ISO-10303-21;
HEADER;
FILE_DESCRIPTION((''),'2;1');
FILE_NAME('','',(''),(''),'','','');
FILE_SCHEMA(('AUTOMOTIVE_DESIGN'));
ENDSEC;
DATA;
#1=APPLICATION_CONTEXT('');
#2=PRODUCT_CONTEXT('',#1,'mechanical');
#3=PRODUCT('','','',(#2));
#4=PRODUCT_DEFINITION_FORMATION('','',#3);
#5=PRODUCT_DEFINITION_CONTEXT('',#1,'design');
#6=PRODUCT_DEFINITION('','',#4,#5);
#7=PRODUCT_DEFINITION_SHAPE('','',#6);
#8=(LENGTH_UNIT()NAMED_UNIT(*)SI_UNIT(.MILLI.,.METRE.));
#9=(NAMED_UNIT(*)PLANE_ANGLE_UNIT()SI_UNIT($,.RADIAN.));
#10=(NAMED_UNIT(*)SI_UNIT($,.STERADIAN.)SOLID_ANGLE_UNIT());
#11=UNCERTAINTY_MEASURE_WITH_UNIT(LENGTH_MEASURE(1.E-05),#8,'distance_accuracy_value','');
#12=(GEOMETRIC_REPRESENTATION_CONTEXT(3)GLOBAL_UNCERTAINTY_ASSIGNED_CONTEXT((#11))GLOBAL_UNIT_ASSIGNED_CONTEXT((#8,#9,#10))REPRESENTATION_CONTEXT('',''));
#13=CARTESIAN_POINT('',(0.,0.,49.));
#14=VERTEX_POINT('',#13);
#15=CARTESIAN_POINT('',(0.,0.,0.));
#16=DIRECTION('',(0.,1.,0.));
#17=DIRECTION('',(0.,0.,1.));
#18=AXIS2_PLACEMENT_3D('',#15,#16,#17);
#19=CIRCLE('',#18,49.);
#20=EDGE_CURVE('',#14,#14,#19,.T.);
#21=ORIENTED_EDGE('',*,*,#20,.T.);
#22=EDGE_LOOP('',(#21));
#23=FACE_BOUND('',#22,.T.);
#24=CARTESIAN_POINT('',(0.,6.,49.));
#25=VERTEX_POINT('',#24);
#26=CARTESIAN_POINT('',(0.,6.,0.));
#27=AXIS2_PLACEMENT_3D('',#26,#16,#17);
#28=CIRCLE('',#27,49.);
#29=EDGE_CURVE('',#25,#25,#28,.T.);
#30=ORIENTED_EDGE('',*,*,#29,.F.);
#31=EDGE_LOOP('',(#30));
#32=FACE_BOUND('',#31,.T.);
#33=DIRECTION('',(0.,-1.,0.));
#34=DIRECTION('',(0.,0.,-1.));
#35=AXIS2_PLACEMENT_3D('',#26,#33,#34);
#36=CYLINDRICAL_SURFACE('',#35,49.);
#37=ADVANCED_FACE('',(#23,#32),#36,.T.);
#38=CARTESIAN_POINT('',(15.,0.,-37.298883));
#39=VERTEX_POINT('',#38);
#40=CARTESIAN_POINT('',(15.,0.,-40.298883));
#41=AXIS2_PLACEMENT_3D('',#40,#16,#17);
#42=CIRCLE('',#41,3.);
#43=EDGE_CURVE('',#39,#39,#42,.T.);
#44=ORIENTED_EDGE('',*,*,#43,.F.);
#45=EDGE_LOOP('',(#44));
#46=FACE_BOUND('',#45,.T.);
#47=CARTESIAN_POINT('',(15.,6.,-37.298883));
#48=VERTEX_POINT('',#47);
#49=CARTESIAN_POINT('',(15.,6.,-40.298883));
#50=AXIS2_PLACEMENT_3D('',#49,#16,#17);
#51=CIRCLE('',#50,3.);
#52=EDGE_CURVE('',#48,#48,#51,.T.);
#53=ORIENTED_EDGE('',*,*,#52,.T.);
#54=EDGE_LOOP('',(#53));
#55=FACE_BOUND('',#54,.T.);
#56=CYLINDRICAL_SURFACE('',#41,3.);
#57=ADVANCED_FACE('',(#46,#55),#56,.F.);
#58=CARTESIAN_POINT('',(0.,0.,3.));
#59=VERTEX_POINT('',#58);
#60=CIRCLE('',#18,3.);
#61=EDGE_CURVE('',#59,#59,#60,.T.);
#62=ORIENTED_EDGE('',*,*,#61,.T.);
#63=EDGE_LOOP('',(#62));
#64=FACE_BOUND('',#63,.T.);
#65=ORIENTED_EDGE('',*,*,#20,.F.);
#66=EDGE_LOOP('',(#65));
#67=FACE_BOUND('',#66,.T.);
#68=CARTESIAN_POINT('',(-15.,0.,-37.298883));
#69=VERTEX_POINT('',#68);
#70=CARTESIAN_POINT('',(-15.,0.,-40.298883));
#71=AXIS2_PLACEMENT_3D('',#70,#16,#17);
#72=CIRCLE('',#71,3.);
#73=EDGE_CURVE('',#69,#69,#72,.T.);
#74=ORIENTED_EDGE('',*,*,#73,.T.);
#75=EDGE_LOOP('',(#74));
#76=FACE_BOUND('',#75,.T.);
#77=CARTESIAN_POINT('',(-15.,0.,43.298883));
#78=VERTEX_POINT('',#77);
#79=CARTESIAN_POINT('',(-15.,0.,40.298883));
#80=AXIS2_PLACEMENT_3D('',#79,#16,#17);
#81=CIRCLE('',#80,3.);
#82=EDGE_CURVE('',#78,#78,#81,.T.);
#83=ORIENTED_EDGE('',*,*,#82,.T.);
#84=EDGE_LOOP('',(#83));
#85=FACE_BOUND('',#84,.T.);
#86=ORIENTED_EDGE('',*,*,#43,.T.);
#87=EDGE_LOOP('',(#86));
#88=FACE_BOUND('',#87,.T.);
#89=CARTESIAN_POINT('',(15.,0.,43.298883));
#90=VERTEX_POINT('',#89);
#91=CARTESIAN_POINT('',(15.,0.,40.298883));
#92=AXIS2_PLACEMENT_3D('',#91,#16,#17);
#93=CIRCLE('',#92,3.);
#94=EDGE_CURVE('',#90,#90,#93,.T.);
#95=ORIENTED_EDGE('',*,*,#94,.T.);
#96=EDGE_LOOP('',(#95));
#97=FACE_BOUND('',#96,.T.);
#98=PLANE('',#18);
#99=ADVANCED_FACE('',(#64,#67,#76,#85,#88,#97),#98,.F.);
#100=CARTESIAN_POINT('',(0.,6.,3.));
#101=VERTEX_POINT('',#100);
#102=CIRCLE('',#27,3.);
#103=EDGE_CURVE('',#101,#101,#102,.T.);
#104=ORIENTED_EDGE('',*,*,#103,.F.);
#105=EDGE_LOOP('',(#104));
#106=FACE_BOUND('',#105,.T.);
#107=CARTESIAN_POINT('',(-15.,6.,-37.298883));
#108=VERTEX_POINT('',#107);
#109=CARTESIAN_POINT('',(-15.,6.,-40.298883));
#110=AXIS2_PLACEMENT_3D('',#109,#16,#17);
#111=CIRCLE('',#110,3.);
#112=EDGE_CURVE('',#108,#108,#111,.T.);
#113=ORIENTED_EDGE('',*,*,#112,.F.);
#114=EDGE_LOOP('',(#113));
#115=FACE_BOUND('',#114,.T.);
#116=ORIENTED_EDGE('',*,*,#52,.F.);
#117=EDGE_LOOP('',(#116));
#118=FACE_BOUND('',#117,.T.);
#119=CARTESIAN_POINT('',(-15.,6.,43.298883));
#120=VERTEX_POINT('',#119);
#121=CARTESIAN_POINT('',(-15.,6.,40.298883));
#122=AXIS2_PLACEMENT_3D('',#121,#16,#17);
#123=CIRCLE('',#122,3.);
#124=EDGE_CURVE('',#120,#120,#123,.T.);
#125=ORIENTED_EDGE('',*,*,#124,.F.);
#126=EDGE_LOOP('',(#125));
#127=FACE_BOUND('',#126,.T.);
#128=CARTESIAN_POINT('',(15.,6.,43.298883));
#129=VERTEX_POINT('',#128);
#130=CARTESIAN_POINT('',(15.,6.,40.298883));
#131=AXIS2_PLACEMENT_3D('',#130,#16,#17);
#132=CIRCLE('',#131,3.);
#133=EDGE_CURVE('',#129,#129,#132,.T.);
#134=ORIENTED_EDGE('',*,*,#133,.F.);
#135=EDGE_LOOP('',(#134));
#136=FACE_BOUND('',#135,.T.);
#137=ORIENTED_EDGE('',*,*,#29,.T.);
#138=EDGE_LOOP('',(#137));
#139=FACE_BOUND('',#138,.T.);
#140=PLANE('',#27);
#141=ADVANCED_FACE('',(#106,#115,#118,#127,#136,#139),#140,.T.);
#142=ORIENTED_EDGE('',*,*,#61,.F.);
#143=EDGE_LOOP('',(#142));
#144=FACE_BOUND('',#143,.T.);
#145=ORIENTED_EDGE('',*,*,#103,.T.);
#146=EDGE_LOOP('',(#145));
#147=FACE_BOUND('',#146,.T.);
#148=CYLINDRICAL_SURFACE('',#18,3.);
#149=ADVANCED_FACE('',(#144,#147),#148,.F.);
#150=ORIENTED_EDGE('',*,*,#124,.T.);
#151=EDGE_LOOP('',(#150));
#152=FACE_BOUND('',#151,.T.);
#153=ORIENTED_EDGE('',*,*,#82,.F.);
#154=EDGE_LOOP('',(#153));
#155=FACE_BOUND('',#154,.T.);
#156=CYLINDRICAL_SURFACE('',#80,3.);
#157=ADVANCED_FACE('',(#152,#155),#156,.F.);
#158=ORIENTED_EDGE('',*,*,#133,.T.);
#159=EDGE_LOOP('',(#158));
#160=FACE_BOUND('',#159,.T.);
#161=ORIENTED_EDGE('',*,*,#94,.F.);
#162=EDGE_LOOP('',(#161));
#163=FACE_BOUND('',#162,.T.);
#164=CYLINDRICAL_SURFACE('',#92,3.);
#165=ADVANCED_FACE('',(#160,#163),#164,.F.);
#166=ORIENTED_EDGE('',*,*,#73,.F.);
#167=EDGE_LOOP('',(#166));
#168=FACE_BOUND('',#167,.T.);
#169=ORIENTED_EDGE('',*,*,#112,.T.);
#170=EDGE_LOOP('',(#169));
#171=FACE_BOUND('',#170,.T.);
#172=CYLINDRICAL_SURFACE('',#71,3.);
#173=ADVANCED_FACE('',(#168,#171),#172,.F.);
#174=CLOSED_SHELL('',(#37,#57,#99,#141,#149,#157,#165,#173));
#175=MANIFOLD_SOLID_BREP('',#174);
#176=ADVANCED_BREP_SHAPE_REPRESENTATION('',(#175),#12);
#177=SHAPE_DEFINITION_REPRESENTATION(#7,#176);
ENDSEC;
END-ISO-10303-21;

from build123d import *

# Parameters (mm, degrees)
SKETCH1_R           = 49
BOSS_EXTRUDE1_DEPTH = 6
SKETCH2_R           = 3
CUT_EXTRUDE1_DEPTH  = 6


with BuildPart() as part:
    # Sketch1 → Boss-Extrude1 (new body)
    with BuildSketch(Plane(origin=(0, 0, 0), x_dir=(1, 0, 0), z_dir=(0, 1, 0))):
        with Locations(Location((0, 0, 0), (0, 0, 270))):
            Circle(SKETCH1_R)
    extrude(amount=BOSS_EXTRUDE1_DEPTH)

    # Sketch2 → Cut-Extrude1 (cut)
    with BuildSketch(Plane(origin=(0, 6, 0), x_dir=(1, 0, 0), z_dir=(0, 1, 0))):
        with Locations(Location((-15, 40.298883359, 0), (0, 0, 270))):
            Circle(SKETCH2_R)
        with Locations(Location((15, 40.298883359, 0), (0, 0, 270))):
            Circle(SKETCH2_R)
        with Locations(Location((0, 0, 0), (0, 0, 270))):
            Circle(SKETCH2_R)
        with Locations(Location((15, -40.298883359, 0), (0, 0, 270))):
            Circle(SKETCH2_R)
        with Locations(Location((-15, -40.298883359, 0), (0, 0, 270))):
            Circle(SKETCH2_R)
    extrude(amount=-CUT_EXTRUDE1_DEPTH, mode=Mode.SUBTRACT)


solid = part.part
